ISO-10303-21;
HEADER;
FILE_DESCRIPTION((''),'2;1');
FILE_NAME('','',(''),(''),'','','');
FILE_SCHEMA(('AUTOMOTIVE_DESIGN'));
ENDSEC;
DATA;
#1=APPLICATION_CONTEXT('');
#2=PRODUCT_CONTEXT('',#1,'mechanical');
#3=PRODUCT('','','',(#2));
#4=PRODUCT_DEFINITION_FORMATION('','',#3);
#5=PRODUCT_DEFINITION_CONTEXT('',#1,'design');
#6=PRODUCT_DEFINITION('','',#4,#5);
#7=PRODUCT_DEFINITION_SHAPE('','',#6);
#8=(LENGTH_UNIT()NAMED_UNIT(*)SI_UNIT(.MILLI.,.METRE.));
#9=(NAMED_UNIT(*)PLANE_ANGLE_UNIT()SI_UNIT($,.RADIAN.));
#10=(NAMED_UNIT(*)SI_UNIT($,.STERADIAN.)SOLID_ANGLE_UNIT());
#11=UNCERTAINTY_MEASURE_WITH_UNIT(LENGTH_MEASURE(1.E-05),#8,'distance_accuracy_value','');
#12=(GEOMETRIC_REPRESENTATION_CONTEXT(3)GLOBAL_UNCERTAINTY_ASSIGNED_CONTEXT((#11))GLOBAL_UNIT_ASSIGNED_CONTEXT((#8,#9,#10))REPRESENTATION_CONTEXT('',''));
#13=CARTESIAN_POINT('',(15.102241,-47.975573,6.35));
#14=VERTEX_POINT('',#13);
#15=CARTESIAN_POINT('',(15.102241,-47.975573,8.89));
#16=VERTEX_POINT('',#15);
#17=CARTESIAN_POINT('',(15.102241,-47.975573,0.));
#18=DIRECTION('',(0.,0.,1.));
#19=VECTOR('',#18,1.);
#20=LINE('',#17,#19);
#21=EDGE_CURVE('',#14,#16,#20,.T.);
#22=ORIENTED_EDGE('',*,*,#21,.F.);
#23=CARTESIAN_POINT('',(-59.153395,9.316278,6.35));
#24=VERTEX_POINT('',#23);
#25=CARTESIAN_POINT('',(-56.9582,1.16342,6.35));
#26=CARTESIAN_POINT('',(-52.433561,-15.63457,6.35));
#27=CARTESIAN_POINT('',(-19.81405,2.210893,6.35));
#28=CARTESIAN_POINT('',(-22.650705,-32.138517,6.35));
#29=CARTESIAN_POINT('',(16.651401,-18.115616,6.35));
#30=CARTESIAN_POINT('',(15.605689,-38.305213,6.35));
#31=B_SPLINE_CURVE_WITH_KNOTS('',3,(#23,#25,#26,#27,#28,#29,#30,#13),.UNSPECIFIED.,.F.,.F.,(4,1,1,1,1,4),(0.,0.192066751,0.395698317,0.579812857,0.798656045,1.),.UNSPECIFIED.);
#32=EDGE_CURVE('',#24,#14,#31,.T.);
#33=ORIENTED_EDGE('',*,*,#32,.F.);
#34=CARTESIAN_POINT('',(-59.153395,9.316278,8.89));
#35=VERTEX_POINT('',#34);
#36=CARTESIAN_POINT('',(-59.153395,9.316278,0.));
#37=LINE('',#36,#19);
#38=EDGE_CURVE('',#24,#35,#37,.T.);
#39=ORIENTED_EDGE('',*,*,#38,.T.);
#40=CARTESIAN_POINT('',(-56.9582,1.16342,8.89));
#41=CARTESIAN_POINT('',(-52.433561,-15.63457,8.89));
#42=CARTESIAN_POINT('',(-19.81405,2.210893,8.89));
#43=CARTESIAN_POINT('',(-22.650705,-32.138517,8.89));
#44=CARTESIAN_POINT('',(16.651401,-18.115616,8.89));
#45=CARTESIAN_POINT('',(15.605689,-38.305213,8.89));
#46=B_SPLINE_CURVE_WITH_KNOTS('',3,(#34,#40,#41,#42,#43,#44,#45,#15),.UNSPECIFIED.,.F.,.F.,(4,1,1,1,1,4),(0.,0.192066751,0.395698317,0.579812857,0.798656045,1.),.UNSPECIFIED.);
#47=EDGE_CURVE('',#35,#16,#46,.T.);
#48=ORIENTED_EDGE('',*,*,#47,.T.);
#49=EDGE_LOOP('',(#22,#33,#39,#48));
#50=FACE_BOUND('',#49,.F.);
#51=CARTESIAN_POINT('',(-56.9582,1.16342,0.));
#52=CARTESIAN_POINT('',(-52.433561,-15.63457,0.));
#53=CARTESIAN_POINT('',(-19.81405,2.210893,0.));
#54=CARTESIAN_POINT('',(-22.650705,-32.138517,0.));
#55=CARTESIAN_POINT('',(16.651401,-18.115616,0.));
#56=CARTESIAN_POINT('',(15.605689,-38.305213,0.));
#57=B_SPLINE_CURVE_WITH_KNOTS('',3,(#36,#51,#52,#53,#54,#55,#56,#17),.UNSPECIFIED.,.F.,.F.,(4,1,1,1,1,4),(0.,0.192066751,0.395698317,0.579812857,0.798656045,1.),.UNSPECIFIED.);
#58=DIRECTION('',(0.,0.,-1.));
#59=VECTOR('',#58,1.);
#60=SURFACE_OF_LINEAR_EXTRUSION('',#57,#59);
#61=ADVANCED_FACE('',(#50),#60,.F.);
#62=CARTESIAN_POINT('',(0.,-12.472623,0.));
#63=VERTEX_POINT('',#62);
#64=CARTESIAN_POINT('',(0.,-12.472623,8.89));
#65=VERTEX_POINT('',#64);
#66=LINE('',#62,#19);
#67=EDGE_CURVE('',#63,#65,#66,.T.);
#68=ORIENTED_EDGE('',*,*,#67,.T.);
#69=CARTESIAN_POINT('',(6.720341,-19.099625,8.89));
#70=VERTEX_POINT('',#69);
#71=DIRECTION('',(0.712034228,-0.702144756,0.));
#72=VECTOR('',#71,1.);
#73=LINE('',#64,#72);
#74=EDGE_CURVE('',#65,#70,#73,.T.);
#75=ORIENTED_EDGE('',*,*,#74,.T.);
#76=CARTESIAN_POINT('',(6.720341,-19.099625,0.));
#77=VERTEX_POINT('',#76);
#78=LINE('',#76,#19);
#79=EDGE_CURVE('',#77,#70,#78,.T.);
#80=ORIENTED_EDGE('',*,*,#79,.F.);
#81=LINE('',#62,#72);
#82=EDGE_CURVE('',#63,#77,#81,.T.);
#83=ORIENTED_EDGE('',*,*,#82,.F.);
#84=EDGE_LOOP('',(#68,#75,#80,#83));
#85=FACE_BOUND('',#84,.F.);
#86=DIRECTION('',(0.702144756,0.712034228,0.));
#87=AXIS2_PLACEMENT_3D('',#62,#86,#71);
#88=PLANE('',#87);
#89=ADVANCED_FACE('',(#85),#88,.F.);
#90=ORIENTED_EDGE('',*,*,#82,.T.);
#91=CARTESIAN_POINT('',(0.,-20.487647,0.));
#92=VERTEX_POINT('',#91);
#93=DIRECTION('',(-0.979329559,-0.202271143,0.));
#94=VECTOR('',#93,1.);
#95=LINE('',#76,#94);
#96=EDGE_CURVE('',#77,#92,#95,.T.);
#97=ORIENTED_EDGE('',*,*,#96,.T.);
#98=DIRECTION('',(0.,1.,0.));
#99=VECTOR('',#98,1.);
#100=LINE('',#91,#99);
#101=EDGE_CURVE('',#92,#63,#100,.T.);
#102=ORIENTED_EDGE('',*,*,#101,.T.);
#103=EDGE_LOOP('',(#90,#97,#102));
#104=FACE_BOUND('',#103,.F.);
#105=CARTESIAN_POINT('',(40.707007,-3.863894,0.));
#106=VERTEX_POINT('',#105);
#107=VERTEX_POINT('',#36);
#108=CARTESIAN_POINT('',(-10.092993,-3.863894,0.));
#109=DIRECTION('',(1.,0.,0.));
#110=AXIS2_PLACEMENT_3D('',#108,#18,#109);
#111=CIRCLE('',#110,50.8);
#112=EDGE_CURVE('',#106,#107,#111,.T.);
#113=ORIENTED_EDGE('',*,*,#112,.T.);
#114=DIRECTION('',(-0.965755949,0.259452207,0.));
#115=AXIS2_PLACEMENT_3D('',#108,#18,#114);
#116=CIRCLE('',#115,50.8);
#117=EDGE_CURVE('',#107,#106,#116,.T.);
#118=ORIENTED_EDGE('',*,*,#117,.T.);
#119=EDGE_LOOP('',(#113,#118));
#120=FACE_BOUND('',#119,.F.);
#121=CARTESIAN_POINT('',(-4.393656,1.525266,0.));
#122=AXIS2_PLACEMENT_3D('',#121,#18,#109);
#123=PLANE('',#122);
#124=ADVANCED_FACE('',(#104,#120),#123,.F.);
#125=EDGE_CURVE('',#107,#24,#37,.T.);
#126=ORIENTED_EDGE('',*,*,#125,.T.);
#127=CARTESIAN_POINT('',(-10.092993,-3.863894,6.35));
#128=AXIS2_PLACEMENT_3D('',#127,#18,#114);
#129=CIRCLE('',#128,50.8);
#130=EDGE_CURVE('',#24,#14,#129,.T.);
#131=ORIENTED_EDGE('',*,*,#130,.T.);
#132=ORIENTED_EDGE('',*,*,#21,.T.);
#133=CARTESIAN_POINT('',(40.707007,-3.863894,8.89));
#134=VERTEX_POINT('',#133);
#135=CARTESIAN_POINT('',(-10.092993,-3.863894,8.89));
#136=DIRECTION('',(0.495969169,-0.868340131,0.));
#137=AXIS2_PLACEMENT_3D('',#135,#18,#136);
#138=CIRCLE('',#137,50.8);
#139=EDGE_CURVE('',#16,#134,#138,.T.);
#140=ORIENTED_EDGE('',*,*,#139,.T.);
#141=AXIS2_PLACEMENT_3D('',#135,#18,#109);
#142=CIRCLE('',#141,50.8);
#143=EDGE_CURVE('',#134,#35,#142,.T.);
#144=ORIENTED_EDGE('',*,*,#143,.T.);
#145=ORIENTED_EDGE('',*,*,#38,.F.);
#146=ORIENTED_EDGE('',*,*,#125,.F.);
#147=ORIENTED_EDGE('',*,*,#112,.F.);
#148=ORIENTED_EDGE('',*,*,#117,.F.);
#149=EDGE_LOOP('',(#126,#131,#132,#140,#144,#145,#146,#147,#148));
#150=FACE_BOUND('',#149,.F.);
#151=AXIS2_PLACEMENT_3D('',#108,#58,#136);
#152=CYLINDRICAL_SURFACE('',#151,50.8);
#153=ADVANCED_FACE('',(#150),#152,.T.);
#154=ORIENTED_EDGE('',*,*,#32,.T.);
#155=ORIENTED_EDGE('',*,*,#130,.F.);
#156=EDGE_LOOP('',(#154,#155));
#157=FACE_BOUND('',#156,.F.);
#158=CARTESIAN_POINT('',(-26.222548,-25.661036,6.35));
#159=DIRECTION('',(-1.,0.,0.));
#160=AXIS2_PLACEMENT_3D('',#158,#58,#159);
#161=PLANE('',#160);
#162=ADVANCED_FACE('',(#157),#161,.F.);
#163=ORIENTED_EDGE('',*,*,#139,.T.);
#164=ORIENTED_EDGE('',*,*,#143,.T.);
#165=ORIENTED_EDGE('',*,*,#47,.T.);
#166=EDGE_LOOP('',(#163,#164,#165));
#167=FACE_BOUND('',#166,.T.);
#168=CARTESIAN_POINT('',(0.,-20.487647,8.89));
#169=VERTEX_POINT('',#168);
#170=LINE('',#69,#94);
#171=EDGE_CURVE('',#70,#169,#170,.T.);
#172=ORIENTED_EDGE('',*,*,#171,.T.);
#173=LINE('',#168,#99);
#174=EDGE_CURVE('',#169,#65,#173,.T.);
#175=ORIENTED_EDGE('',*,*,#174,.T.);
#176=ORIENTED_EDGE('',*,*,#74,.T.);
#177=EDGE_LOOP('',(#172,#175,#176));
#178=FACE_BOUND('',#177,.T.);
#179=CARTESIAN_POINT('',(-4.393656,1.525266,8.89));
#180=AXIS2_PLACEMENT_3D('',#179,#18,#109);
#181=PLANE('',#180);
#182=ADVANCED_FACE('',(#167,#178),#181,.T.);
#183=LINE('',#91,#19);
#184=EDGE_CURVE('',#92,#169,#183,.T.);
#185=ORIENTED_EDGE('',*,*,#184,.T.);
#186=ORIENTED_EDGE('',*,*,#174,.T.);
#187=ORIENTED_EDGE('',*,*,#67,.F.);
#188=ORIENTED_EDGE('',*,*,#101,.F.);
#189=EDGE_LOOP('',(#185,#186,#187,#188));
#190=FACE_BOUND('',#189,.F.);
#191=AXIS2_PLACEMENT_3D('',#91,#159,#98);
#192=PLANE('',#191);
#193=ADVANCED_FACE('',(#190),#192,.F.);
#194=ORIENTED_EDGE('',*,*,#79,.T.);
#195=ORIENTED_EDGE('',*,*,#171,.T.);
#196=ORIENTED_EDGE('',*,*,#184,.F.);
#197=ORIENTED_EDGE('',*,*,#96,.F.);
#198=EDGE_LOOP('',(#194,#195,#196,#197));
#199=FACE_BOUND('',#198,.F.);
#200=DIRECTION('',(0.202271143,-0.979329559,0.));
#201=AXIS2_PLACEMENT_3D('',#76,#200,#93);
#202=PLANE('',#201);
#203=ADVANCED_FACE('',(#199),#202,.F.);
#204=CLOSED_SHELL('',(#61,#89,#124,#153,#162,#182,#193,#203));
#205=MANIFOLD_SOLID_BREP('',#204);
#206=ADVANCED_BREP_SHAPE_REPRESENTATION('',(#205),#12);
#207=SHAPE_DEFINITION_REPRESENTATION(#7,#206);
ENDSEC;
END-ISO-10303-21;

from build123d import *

# Parameters (mm, degrees)
F1_DEPTH = 6.35
F2_DEPTH = 8.89


with BuildPart() as f1:
    # F0 (on Top) → F1 (new body)
    with BuildSketch(Plane.XY):
        with BuildLine():
            add(Edge.make_bspline(
                [(-59.1533951919, 9.3162781055), (-56.9582000685, 1.1634198892), (-52.4335610784, -15.6345695622), (-19.814049562, 2.2108933645), (-22.6507053562, -32.1385169357), (16.6514009889, -18.1156160914), (15.6056892094, -38.3052125796), (15.1022408058, -47.9755726642)],
                knots=[0, 0, 0, 0, 0.1920667506, 0.3956983166, 0.5798128567, 0.7986560452, 1, 1, 1, 1], degree=3))
            ThreePointArc((-59.1533951919, 9.3162781055), (-41.1248412662, -44.084092838), (15.1022408058, -47.9755726642))
        make_face()
    extrude(amount=F1_DEPTH)

    # F0 (on Top) → F2 (join)
    with BuildSketch(Plane.XY):
        with BuildLine():
            ThreePointArc((15.1022408058, -47.9755726642), (33.8419468366, -29.366071593), (40.7070069965, -3.8638940145))
            ThreePointArc((40.7070069965, -3.8638940145), (-3.4457541471, 46.4993288329), (-59.1533951919, 9.3162781055))
            add(Edge.make_bspline(
                [(-59.1533951919, 9.3162781055), (-56.9582000685, 1.1634198892), (-52.4335610784, -15.6345695622), (-19.814049562, 2.2108933645), (-22.6507053562, -32.1385169357), (16.6514009889, -18.1156160914), (15.6056892094, -38.3052125796), (15.1022408058, -47.9755726642)],
                knots=[0, 0, 0, 0, 0.1920667506, 0.3956983166, 0.5798128567, 0.7986560452, 1, 1, 1, 1], degree=3))
        make_face()
        Polygon((0, -20.487647436), (0, -12.4726234147), (6.7203410137, -19.0996253454), align=None, mode=Mode.SUBTRACT)
    extrude(amount=F2_DEPTH)


solid = f1.part
